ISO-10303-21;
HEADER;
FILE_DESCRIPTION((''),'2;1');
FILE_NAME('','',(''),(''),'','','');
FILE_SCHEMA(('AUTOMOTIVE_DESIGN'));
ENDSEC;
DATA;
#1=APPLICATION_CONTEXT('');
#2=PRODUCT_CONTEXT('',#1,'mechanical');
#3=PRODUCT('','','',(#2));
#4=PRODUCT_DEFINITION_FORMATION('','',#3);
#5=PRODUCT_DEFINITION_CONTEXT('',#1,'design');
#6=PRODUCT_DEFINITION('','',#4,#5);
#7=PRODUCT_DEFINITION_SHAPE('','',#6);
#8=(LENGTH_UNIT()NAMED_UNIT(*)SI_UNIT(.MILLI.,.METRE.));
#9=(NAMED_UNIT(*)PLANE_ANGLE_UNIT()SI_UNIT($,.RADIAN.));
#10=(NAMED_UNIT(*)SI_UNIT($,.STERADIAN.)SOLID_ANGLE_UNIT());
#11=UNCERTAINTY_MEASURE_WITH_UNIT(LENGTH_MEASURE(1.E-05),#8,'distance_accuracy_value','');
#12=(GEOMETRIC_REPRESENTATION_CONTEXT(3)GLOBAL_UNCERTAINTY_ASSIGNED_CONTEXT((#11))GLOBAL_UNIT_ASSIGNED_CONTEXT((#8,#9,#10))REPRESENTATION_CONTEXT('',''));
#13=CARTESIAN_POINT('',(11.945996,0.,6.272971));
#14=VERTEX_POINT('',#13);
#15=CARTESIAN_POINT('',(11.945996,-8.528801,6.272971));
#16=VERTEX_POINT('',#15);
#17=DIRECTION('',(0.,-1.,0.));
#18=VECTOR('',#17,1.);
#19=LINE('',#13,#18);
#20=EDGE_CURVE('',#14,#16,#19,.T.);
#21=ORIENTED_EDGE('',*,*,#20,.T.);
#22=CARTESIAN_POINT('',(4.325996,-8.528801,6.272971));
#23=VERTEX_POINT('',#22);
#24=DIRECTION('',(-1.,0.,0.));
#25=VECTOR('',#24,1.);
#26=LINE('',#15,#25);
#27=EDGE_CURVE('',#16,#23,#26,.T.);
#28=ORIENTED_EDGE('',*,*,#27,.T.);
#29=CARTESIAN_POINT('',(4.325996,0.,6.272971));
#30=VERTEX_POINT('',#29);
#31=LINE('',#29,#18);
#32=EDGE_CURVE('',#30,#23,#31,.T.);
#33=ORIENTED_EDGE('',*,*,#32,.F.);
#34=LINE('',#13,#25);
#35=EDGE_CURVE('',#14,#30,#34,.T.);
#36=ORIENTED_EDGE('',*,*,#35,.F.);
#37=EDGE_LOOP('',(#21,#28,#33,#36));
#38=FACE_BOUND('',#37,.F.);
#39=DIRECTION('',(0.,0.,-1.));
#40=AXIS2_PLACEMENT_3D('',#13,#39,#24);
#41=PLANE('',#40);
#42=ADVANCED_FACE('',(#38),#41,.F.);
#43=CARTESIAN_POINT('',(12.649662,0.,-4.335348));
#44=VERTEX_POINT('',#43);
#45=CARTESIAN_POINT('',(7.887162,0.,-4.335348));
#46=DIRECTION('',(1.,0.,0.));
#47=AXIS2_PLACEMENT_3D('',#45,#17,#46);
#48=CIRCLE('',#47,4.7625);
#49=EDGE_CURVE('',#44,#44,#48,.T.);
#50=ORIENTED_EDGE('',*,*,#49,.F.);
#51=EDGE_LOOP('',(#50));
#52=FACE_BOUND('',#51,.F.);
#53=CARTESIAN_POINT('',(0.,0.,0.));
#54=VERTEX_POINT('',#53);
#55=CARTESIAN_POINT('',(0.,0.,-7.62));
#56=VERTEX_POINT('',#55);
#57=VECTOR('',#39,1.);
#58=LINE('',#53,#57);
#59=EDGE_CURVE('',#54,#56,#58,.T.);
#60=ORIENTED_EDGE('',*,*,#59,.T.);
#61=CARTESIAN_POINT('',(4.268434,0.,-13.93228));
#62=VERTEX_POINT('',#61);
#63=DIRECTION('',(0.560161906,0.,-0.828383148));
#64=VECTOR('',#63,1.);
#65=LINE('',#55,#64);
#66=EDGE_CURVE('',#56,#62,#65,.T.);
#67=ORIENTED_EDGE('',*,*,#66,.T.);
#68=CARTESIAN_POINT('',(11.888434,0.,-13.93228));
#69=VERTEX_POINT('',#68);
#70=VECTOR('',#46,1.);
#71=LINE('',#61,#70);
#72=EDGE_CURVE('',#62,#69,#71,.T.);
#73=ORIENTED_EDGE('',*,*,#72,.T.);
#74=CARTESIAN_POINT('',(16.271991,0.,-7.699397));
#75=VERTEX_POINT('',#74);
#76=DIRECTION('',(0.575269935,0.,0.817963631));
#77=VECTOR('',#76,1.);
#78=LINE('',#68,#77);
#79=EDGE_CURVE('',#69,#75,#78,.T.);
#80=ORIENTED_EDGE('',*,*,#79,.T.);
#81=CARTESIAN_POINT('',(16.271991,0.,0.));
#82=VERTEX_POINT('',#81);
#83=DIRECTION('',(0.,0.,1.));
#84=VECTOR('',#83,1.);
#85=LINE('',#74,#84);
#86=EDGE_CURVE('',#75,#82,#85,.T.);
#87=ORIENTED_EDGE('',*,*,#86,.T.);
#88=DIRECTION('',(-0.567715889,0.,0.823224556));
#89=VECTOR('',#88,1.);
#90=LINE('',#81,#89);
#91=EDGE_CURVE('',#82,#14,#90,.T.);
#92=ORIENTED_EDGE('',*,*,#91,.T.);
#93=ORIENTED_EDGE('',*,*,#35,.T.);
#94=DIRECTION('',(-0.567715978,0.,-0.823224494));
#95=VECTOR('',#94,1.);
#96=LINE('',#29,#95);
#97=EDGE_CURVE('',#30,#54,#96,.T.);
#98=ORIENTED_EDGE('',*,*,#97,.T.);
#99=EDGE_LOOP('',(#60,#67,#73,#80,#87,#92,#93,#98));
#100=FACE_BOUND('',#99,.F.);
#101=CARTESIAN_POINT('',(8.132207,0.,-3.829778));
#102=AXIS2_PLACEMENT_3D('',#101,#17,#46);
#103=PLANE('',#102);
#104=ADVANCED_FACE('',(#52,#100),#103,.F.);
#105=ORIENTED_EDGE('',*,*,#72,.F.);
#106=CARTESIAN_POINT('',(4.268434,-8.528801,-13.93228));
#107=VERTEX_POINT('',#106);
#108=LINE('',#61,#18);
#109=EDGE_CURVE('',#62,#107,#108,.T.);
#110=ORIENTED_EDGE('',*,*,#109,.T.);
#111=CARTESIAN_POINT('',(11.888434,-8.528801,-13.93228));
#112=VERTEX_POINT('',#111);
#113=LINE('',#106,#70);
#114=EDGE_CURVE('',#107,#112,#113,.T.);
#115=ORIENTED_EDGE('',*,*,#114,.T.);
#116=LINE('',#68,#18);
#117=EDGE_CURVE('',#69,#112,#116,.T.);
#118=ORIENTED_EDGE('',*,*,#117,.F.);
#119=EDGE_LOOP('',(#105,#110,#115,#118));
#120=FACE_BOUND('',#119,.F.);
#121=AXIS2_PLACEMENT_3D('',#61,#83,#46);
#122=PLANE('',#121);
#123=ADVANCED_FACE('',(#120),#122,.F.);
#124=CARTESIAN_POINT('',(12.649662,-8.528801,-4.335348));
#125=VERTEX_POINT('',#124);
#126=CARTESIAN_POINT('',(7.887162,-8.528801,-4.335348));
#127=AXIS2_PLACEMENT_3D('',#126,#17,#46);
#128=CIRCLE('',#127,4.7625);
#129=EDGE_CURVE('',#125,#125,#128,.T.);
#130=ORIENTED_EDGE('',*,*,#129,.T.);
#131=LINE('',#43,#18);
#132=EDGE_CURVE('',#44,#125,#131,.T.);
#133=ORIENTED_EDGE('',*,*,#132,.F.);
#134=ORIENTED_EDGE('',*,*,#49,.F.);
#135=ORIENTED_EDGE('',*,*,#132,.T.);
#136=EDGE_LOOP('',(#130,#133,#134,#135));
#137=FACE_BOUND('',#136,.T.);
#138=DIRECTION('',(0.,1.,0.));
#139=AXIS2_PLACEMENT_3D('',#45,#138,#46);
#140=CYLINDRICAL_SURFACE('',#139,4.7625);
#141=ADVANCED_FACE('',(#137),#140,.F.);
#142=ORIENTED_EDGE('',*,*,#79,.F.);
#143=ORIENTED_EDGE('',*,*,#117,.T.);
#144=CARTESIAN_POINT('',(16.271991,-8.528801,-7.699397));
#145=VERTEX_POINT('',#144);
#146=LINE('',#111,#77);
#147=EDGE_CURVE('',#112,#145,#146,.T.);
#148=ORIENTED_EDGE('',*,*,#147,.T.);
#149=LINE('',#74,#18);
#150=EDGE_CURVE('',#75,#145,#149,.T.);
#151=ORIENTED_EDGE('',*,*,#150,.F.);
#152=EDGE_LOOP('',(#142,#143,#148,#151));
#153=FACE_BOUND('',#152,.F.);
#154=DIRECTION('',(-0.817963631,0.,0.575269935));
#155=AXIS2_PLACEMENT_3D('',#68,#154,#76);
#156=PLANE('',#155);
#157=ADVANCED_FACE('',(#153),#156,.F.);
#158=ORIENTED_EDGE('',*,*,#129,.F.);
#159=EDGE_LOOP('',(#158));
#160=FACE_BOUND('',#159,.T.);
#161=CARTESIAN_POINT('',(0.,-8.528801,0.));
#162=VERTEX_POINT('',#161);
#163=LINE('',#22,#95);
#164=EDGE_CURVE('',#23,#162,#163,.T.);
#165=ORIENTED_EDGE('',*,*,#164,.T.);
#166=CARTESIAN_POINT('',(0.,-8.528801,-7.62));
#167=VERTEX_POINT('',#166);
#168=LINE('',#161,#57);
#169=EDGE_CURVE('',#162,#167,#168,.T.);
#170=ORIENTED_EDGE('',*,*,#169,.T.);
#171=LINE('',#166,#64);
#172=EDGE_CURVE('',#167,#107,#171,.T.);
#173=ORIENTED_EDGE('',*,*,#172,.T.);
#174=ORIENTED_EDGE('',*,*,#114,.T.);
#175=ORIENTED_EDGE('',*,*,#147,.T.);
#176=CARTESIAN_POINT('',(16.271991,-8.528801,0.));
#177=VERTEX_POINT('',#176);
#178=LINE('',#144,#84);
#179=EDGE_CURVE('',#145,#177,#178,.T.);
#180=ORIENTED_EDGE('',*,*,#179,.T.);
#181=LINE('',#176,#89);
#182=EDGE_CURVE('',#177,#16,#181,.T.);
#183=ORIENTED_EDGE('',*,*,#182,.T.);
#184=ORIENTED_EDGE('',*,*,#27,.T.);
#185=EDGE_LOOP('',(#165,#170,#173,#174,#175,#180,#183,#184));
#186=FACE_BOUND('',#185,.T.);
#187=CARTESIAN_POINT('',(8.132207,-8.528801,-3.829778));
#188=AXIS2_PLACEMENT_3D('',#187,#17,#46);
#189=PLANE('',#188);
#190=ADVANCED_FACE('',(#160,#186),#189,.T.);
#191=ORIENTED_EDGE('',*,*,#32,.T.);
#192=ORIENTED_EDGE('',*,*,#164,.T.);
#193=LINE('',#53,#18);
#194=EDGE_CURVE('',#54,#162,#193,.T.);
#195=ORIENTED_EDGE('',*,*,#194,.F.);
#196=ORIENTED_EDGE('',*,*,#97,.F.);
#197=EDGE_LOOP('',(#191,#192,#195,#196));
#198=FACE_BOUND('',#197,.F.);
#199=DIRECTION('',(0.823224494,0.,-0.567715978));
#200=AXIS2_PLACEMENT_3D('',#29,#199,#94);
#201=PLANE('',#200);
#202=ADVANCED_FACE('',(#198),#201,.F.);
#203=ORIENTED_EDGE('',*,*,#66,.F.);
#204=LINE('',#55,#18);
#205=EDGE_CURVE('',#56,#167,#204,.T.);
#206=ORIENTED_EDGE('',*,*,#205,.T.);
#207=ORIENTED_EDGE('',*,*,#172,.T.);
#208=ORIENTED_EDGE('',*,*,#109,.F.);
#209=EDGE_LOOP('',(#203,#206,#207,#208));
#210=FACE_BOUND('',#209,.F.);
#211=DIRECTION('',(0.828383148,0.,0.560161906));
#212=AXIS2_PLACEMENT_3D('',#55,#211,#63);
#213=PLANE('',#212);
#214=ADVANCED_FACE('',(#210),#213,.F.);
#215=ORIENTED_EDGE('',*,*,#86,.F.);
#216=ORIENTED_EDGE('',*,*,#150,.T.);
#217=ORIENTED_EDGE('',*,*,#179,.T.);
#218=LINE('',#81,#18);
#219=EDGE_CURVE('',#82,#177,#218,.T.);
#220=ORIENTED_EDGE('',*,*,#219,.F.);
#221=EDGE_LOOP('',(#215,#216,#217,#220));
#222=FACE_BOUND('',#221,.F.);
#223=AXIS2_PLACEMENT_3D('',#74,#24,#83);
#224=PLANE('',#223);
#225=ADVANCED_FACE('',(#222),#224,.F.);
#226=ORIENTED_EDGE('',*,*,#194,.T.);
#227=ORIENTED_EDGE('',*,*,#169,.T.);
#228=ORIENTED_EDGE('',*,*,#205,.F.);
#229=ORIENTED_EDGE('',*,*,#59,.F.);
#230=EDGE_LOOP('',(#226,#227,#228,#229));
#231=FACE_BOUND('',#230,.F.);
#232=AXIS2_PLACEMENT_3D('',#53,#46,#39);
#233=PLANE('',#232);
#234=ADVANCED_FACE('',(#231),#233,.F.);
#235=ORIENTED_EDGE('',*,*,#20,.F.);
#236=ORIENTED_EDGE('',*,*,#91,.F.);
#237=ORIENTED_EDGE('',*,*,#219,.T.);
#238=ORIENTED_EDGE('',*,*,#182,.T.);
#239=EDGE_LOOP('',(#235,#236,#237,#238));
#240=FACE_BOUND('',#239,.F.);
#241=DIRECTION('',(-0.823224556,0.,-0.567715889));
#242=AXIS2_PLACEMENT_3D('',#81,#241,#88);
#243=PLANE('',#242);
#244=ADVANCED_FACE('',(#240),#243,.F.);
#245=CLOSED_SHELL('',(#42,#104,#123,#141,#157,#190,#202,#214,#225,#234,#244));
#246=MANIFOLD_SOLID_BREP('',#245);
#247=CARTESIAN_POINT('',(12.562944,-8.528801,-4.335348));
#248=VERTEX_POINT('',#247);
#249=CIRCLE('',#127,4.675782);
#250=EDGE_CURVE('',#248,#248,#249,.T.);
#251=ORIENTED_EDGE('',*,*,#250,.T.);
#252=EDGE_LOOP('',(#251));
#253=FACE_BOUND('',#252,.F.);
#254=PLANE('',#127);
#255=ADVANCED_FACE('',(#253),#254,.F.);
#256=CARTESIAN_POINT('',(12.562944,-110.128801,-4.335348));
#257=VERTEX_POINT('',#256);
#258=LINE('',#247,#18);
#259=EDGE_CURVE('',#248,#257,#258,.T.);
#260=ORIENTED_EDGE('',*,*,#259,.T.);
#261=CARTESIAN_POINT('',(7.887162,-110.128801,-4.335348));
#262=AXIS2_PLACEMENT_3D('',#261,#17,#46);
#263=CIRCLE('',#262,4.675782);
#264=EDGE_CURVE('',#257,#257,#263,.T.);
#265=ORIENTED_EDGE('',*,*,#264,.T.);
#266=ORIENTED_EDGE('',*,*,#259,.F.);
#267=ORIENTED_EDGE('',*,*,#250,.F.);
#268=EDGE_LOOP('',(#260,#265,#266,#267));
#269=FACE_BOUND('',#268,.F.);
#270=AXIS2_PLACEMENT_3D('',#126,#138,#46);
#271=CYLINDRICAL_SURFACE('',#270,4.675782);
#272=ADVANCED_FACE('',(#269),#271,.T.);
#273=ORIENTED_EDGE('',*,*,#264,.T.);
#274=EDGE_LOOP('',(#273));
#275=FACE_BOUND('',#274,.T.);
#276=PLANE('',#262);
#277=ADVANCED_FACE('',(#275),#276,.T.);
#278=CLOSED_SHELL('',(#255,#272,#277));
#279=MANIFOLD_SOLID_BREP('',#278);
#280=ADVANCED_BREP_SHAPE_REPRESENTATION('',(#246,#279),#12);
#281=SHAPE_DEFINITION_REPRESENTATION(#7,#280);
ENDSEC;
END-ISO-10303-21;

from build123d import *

# Parameters (mm, degrees)
F0_R     = 4.7625
F1_DEPTH = 8.528801
F2_R     = 4.675782
F3_DEPTH = 101.6


with BuildPart() as f1:
    # F0 (on Front) → F1 (new body)
    with BuildSketch(Plane.XZ):
        Polygon((4.325996, 6.272971), (0, 0), (0, -7.62), (4.268434, -13.93228), (11.888434, -13.93228), (16.271991, -7.699397), (16.271991, 0), (11.945996, 6.272971), align=None)
        with Locations((7.887162, -4.335348)):
            Circle(F0_R, mode=Mode.SUBTRACT)
    extrude(amount=F1_DEPTH)


with BuildPart() as f3:
    # F2 (on face) → F3 (new body)
    with BuildSketch(Plane.XZ.offset(8.528801)):
        with Locations((7.887162, -4.335348)):
            Circle(F2_R)
    extrude(amount=F3_DEPTH)


solid = Compound([f1.part, f3.part])
